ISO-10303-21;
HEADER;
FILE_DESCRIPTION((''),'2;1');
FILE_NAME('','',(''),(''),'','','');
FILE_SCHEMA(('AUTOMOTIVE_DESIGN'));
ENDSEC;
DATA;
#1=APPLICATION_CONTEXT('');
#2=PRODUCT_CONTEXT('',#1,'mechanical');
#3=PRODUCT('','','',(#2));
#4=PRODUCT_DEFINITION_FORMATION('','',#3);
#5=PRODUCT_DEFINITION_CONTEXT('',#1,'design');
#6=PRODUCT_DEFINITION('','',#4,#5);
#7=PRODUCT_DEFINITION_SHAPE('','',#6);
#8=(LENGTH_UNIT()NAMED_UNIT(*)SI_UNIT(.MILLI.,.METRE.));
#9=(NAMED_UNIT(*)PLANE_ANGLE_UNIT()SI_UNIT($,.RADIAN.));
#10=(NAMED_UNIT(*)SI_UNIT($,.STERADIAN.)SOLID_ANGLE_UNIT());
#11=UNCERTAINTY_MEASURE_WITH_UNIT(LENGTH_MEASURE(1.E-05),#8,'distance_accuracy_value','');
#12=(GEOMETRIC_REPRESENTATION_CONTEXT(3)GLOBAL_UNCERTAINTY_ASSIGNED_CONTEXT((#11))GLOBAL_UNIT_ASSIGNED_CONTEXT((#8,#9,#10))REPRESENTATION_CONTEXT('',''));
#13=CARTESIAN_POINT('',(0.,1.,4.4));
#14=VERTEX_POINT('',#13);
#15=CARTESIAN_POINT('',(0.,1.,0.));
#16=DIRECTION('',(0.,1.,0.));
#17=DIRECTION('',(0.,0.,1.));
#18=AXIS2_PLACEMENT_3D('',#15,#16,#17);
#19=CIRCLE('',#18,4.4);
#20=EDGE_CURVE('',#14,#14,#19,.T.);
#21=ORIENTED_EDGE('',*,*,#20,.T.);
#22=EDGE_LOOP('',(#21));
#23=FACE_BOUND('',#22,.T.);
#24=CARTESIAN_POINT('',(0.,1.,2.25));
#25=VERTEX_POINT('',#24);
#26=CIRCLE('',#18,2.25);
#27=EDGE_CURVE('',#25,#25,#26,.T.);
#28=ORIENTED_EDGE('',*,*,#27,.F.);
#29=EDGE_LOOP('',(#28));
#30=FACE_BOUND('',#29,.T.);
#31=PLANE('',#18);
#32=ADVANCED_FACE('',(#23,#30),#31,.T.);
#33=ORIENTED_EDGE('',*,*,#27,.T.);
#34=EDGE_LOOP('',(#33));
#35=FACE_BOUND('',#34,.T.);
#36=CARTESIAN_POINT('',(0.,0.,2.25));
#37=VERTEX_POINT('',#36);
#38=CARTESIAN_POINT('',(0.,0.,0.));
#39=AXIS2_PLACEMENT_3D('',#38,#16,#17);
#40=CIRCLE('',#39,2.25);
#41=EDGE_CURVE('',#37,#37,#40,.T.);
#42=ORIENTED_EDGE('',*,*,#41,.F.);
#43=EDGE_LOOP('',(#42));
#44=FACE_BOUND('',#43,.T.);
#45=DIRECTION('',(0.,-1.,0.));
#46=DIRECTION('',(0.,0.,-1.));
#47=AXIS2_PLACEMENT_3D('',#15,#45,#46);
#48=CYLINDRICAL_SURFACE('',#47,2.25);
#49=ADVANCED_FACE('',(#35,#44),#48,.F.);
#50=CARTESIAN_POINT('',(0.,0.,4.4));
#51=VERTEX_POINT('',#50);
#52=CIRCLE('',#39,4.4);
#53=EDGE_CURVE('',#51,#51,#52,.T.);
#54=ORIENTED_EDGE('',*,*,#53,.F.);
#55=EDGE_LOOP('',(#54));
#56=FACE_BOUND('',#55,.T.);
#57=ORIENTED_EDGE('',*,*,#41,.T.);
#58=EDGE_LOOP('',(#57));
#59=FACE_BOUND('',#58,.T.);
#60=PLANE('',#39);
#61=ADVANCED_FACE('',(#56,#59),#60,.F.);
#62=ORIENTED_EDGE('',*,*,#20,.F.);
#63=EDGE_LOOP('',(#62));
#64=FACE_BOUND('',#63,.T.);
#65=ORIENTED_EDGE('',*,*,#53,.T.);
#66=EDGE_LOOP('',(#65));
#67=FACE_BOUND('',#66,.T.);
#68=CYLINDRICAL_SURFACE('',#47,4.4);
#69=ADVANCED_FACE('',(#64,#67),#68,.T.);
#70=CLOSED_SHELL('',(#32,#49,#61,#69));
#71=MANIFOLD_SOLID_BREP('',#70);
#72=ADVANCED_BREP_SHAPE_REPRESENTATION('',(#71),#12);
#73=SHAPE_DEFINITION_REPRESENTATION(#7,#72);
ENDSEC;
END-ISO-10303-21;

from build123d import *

# Parameters (mm, degrees)
SKETCH_1_R      = 4.4
SKETCH_1_R_2    = 2.25
EXTRUDE_1_DEPTH = 1


with BuildPart() as part:
    # 草图1 → 凸台-拉伸1 (new body)
    with BuildSketch(Plane(origin=(0, 0, 0), x_dir=(1, 0, 0), z_dir=(0, 1, 0))):
        Circle(SKETCH_1_R)
        Circle(SKETCH_1_R_2, mode=Mode.SUBTRACT)
    extrude(amount=EXTRUDE_1_DEPTH)


solid = part.part
